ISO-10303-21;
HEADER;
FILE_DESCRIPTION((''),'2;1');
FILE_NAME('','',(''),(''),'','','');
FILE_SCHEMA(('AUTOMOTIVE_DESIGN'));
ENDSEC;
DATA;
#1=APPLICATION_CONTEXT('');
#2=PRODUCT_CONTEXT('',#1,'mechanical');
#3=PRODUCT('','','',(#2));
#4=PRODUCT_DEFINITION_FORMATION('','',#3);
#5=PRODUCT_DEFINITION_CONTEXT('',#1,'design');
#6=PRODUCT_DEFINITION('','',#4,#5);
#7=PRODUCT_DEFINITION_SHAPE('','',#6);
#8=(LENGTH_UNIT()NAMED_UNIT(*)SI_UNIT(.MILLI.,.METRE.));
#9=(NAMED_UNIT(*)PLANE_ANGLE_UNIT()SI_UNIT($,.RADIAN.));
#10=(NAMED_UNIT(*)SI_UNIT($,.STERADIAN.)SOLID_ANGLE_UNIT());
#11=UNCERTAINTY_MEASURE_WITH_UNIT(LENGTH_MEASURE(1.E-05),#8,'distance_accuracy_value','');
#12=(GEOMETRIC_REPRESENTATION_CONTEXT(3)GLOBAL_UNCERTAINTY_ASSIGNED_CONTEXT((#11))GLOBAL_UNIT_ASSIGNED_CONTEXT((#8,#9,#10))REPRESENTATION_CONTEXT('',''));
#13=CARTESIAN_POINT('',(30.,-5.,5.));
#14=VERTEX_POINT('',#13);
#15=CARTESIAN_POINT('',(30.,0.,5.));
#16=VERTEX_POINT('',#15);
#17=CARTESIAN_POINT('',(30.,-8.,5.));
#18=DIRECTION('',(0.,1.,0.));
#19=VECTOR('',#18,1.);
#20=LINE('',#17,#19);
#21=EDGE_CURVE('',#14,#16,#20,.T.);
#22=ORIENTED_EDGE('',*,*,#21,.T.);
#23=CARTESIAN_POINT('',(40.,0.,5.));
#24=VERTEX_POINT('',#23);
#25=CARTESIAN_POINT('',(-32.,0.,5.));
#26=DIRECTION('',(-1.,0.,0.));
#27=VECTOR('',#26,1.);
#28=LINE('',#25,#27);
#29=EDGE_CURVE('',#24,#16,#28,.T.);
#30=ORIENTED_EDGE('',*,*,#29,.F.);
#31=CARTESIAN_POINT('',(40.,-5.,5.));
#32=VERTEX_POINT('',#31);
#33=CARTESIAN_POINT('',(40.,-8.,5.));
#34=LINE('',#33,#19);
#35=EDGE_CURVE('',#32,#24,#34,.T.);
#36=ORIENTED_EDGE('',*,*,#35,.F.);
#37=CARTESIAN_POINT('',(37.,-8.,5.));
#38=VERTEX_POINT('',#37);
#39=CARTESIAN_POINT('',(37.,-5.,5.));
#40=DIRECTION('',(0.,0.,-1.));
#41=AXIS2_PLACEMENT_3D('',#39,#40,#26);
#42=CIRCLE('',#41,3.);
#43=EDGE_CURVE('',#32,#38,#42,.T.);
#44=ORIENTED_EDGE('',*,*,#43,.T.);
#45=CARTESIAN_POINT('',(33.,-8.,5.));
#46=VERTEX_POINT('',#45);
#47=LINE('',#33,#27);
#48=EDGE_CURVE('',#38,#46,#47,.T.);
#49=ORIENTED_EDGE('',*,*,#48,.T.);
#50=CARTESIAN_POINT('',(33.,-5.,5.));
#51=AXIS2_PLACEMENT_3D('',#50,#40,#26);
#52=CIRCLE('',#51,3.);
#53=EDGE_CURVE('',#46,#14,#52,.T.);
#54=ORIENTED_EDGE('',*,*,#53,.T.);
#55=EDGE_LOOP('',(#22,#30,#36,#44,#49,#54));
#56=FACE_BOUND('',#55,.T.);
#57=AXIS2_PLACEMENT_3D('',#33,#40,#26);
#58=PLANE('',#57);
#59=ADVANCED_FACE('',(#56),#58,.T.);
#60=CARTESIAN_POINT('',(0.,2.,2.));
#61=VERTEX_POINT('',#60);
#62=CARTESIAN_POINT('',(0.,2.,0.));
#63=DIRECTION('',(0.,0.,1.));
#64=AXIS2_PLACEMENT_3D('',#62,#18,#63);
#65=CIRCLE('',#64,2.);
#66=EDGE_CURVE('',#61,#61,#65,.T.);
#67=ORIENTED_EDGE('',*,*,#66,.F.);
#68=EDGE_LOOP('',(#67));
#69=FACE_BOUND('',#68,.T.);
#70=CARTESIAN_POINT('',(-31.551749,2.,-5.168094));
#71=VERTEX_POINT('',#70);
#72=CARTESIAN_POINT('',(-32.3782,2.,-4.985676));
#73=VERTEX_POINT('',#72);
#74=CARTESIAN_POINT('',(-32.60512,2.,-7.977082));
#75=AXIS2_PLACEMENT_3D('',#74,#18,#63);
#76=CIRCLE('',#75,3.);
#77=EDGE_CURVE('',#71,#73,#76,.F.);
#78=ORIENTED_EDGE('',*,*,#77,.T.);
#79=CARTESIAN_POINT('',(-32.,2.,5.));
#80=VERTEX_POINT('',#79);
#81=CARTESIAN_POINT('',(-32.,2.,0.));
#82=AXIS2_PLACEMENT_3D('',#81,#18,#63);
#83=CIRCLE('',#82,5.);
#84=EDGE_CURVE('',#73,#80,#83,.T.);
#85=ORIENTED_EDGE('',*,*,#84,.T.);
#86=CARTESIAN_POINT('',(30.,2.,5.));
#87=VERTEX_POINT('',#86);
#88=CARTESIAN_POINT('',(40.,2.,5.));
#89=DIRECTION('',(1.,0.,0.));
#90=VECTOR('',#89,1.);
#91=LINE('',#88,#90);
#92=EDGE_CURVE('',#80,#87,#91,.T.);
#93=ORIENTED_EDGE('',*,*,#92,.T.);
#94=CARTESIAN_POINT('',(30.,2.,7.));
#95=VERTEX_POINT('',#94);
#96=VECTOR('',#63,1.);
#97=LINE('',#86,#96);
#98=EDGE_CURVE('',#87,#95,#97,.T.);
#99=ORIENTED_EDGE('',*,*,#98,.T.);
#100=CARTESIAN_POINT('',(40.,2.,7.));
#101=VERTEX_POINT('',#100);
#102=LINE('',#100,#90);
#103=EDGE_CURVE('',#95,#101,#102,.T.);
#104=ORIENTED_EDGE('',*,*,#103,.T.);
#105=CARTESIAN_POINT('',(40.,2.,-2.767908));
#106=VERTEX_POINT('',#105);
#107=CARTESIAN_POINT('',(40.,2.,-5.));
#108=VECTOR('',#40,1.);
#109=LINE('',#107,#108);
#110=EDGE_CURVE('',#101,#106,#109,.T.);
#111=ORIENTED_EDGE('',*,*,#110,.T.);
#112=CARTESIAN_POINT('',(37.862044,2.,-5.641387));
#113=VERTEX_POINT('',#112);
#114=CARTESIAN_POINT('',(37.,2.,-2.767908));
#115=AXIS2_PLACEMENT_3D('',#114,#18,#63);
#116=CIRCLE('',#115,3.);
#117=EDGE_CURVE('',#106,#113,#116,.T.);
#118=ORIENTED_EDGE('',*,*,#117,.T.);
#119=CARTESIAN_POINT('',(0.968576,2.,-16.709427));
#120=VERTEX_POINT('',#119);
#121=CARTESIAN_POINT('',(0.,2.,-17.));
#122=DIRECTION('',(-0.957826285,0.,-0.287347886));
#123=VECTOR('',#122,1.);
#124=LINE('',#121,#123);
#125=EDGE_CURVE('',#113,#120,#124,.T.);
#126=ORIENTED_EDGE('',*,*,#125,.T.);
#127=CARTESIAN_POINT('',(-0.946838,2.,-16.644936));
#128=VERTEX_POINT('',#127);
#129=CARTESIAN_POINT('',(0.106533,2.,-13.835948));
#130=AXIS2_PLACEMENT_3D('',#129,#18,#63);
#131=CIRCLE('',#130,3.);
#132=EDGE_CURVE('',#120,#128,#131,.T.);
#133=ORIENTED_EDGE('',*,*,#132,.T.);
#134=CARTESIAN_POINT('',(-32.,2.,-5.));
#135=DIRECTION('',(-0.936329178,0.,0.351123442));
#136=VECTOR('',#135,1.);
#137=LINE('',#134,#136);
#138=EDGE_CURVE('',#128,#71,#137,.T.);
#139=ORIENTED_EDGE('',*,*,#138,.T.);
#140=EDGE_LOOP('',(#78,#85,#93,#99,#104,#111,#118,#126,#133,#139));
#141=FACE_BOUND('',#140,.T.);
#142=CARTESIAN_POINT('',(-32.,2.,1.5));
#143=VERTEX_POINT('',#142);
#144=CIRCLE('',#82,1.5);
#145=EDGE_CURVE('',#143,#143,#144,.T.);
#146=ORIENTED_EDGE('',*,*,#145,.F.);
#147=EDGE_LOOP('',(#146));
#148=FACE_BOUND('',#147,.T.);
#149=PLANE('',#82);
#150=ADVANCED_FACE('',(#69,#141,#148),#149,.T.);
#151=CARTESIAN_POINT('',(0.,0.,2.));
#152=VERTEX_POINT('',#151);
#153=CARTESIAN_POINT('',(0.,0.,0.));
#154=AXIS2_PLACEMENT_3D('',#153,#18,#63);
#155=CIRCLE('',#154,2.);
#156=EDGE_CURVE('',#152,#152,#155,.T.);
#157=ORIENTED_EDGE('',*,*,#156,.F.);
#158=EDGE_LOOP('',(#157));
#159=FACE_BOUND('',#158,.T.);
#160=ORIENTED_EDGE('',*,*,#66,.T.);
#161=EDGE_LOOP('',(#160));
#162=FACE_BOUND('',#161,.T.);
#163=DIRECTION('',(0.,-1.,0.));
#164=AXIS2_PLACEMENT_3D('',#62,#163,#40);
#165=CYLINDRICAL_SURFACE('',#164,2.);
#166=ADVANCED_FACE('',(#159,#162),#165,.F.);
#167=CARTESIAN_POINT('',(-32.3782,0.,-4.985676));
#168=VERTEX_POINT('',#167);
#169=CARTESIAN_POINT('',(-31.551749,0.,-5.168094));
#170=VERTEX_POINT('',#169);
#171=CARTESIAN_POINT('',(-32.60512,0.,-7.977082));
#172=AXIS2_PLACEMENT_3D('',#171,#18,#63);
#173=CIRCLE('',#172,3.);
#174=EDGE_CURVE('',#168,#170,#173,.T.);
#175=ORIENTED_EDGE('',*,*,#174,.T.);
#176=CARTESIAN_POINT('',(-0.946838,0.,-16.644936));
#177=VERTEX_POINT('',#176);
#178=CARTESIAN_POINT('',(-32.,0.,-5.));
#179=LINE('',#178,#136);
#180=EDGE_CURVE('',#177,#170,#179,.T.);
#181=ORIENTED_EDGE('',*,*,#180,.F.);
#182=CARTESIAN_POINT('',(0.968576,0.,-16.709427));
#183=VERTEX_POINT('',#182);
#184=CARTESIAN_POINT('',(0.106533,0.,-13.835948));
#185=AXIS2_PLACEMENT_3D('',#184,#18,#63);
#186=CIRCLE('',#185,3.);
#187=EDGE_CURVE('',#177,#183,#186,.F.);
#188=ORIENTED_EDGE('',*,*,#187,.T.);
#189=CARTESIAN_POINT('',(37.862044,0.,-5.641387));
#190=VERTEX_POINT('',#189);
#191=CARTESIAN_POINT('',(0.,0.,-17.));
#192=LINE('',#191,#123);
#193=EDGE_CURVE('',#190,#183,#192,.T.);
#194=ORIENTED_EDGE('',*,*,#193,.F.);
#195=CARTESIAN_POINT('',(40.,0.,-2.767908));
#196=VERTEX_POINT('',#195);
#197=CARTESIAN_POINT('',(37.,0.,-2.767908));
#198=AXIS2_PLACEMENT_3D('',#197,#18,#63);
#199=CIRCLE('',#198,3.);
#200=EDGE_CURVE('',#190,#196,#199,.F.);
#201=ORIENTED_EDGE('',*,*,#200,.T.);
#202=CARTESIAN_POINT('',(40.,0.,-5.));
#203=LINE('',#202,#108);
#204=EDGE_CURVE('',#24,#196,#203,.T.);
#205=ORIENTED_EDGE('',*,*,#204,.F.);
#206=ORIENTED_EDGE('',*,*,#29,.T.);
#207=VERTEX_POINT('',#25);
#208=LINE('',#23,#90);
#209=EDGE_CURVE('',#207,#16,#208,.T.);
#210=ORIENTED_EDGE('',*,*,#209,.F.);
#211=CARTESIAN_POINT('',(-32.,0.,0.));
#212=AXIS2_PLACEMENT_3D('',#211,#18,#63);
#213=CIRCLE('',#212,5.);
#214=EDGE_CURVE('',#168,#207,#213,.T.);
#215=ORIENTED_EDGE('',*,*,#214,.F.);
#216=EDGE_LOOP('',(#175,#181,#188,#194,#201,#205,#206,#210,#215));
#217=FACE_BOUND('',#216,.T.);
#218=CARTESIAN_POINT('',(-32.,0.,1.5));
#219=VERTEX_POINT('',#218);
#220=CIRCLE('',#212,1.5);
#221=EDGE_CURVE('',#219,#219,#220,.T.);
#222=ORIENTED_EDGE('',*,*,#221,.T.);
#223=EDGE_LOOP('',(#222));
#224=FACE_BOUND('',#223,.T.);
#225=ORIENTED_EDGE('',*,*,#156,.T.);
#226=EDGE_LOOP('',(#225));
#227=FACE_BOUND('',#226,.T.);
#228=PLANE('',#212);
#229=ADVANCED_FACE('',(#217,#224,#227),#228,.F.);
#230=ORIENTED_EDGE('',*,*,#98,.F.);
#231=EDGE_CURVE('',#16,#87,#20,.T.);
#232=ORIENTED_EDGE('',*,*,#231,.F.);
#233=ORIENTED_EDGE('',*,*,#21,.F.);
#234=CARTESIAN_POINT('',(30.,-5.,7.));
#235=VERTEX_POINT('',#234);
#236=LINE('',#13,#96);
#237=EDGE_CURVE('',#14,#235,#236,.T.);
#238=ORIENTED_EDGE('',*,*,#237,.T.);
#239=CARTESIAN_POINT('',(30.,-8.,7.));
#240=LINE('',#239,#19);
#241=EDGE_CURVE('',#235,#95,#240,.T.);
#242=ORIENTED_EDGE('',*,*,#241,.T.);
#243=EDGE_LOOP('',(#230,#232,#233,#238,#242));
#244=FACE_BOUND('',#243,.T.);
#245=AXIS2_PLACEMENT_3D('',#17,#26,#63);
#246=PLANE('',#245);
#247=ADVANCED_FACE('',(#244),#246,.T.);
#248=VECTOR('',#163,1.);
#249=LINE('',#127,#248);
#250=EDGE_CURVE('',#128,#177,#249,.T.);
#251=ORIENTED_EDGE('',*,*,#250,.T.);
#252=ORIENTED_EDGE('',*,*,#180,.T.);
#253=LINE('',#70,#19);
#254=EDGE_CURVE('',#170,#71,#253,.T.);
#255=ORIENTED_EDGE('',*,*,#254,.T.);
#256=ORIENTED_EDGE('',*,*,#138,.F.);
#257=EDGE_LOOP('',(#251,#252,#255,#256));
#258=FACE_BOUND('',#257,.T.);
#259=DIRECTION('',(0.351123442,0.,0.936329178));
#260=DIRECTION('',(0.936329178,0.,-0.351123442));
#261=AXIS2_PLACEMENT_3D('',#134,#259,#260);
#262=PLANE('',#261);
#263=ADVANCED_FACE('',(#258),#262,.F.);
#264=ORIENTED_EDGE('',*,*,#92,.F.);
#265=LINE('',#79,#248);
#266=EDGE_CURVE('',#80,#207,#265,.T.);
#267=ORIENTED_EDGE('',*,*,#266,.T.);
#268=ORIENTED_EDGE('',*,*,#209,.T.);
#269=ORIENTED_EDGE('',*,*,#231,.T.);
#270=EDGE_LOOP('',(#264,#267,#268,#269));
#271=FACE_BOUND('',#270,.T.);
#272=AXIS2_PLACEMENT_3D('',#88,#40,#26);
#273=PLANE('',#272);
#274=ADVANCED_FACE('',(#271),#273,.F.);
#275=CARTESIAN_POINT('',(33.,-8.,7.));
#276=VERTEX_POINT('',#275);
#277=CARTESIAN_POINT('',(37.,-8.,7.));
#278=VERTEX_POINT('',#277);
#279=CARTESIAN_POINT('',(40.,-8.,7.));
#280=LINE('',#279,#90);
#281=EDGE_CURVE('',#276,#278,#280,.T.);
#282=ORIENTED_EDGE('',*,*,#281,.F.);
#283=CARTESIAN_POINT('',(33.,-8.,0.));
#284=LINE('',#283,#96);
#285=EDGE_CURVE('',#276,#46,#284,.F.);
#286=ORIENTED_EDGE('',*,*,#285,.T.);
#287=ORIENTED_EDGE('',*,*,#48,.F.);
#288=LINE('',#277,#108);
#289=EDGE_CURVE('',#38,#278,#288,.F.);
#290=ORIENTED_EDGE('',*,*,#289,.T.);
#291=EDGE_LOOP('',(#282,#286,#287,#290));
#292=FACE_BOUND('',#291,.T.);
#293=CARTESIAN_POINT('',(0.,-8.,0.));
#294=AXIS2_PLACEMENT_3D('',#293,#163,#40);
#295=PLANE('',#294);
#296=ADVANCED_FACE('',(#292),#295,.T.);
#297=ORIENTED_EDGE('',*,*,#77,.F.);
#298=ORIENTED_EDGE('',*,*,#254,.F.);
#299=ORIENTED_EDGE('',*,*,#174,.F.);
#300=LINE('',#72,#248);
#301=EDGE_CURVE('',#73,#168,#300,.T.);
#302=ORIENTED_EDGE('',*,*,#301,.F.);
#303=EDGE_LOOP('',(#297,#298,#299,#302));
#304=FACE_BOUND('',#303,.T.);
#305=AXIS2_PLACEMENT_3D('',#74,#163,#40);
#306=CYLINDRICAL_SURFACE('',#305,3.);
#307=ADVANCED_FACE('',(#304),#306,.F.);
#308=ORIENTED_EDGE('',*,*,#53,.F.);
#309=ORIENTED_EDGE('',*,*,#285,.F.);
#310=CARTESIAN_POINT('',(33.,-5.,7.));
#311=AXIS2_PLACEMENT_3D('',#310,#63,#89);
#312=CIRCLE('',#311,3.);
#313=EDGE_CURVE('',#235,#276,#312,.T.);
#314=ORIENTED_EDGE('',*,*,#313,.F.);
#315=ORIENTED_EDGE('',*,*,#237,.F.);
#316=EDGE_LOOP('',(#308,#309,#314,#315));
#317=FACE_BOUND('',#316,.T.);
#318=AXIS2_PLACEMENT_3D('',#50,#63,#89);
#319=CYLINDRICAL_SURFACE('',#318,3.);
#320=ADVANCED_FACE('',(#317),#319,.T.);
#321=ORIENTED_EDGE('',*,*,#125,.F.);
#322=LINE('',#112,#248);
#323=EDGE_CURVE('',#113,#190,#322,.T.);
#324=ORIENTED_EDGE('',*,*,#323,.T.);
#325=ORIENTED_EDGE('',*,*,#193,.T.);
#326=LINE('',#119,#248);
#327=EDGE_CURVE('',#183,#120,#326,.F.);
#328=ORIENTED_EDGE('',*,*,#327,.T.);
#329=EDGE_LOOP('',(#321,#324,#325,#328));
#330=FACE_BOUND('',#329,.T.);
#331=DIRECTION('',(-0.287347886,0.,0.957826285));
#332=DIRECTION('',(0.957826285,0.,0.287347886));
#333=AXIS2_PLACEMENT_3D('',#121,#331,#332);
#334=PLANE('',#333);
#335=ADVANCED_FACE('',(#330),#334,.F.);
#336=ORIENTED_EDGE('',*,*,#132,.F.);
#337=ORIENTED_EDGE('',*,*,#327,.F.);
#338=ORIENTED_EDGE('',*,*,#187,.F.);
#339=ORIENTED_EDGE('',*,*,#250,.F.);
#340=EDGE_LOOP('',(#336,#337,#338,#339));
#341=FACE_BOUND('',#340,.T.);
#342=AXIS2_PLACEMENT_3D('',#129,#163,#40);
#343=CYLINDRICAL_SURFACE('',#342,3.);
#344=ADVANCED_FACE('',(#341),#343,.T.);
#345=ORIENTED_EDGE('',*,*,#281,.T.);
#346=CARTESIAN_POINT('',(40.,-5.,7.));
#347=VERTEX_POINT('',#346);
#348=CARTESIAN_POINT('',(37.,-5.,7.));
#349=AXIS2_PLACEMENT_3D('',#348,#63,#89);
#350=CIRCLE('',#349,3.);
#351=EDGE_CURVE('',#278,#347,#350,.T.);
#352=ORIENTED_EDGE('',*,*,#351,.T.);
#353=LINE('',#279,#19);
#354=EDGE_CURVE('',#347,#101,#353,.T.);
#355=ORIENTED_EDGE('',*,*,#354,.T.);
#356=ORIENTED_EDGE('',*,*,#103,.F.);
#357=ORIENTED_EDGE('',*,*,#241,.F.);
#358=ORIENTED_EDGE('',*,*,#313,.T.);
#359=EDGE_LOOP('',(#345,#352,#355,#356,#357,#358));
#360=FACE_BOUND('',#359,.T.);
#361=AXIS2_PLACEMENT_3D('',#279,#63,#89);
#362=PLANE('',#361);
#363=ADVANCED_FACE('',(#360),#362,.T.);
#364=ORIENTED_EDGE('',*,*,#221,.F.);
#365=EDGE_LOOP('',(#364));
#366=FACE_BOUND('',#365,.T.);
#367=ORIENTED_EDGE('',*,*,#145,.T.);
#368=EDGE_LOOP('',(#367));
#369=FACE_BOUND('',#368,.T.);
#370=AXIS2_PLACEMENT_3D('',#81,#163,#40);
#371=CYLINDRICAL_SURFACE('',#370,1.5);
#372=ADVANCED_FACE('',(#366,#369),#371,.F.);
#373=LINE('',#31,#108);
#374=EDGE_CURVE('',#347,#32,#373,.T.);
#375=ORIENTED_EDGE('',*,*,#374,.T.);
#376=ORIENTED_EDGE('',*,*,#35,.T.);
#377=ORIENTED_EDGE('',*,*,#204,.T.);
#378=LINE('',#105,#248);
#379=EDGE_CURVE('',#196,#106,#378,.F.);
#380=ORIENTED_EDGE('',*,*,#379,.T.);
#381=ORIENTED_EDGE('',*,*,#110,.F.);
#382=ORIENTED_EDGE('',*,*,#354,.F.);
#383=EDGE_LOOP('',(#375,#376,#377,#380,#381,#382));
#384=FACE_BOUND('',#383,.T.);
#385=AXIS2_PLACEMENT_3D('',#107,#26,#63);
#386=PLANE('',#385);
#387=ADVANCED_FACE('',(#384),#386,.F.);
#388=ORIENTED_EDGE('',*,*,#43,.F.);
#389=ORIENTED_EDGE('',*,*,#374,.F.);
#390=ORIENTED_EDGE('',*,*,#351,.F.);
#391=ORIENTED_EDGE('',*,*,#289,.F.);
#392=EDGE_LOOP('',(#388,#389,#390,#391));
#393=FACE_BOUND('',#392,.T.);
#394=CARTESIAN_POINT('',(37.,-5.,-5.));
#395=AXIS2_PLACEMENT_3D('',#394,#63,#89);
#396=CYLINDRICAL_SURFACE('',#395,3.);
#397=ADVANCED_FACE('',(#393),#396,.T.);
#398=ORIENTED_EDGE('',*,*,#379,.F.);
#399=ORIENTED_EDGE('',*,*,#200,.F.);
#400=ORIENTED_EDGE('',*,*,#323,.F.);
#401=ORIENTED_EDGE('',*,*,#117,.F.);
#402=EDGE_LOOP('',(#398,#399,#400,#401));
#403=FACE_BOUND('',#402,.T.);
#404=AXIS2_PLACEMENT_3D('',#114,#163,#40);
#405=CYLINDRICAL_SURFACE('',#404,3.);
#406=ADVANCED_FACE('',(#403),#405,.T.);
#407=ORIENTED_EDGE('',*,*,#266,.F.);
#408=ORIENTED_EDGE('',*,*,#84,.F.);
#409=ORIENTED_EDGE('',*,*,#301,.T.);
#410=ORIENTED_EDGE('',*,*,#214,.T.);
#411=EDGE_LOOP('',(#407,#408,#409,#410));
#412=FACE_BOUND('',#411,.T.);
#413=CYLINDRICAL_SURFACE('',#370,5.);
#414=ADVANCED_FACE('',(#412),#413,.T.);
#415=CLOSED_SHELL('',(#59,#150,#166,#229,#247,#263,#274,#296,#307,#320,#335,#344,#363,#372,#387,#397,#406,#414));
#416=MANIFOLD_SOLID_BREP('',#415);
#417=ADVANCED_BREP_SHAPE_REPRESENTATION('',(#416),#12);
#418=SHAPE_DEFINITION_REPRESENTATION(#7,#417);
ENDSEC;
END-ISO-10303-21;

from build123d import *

# Parameters (mm, degrees)
SKETCH_1_R      = 1.5
SKETCH_1_R_2    = 2
EXTRUDE_1_DEPTH = 2
SKETCH_2_W      = 10
SKETCH_2_H      = 2
EXTRUDE_2_DEPTH = 10
FILLET_1_R      = 3
FILLET_2_R      = 3


with BuildPart() as part:
    # 草图1 → 凸台-拉伸1 (new body)
    with BuildSketch(Plane(origin=(0, 0, 0), x_dir=(1, 0, 0), z_dir=(0, 1, 0))):
        with BuildLine():
            Line((-32, 5), (0, 17))
            Line((0, 17), (40, 5))
            Line((40, 5), (40, -5))
            Line((40, -5), (-32, -5))
            ThreePointArc((-32, -5), (-37, 0), (-32, 5))
        make_face()
        with Locations(Location((-32, 0, 0), (0, 0, 270))):
            Circle(SKETCH_1_R, mode=Mode.SUBTRACT)
        with Locations(Location((0, 0, 0), (0, 0, 270))):
            Circle(SKETCH_1_R_2, mode=Mode.SUBTRACT)
    extrude(amount=EXTRUDE_1_DEPTH)

    # 草图2 → 凸台-拉伸2 (add)
    with BuildSketch(Plane(origin=(0, 2, 0), x_dir=(1, 0, 0), z_dir=(0, 1, 0))):
        with Locations((35, -6)):
            Rectangle(SKETCH_2_W, SKETCH_2_H)
    extrude(amount=-EXTRUDE_2_DEPTH)

    # 圆角1
    fillet_1_edges = [part.edges().sort_by_distance(p)[0] for p in [
        (-32, 1, -5),
        (0, 1, -17),
        (40, 1, -5),
    ]]
    fillet(fillet_1_edges, radius=FILLET_1_R)

    # 圆角2
    fillet_2_edges = [part.edges().sort_by_distance(p)[0] for p in [
        (40, -8, 6),
        (30, -8, 6),
    ]]
    fillet(fillet_2_edges, radius=FILLET_2_R)


solid = part.part
